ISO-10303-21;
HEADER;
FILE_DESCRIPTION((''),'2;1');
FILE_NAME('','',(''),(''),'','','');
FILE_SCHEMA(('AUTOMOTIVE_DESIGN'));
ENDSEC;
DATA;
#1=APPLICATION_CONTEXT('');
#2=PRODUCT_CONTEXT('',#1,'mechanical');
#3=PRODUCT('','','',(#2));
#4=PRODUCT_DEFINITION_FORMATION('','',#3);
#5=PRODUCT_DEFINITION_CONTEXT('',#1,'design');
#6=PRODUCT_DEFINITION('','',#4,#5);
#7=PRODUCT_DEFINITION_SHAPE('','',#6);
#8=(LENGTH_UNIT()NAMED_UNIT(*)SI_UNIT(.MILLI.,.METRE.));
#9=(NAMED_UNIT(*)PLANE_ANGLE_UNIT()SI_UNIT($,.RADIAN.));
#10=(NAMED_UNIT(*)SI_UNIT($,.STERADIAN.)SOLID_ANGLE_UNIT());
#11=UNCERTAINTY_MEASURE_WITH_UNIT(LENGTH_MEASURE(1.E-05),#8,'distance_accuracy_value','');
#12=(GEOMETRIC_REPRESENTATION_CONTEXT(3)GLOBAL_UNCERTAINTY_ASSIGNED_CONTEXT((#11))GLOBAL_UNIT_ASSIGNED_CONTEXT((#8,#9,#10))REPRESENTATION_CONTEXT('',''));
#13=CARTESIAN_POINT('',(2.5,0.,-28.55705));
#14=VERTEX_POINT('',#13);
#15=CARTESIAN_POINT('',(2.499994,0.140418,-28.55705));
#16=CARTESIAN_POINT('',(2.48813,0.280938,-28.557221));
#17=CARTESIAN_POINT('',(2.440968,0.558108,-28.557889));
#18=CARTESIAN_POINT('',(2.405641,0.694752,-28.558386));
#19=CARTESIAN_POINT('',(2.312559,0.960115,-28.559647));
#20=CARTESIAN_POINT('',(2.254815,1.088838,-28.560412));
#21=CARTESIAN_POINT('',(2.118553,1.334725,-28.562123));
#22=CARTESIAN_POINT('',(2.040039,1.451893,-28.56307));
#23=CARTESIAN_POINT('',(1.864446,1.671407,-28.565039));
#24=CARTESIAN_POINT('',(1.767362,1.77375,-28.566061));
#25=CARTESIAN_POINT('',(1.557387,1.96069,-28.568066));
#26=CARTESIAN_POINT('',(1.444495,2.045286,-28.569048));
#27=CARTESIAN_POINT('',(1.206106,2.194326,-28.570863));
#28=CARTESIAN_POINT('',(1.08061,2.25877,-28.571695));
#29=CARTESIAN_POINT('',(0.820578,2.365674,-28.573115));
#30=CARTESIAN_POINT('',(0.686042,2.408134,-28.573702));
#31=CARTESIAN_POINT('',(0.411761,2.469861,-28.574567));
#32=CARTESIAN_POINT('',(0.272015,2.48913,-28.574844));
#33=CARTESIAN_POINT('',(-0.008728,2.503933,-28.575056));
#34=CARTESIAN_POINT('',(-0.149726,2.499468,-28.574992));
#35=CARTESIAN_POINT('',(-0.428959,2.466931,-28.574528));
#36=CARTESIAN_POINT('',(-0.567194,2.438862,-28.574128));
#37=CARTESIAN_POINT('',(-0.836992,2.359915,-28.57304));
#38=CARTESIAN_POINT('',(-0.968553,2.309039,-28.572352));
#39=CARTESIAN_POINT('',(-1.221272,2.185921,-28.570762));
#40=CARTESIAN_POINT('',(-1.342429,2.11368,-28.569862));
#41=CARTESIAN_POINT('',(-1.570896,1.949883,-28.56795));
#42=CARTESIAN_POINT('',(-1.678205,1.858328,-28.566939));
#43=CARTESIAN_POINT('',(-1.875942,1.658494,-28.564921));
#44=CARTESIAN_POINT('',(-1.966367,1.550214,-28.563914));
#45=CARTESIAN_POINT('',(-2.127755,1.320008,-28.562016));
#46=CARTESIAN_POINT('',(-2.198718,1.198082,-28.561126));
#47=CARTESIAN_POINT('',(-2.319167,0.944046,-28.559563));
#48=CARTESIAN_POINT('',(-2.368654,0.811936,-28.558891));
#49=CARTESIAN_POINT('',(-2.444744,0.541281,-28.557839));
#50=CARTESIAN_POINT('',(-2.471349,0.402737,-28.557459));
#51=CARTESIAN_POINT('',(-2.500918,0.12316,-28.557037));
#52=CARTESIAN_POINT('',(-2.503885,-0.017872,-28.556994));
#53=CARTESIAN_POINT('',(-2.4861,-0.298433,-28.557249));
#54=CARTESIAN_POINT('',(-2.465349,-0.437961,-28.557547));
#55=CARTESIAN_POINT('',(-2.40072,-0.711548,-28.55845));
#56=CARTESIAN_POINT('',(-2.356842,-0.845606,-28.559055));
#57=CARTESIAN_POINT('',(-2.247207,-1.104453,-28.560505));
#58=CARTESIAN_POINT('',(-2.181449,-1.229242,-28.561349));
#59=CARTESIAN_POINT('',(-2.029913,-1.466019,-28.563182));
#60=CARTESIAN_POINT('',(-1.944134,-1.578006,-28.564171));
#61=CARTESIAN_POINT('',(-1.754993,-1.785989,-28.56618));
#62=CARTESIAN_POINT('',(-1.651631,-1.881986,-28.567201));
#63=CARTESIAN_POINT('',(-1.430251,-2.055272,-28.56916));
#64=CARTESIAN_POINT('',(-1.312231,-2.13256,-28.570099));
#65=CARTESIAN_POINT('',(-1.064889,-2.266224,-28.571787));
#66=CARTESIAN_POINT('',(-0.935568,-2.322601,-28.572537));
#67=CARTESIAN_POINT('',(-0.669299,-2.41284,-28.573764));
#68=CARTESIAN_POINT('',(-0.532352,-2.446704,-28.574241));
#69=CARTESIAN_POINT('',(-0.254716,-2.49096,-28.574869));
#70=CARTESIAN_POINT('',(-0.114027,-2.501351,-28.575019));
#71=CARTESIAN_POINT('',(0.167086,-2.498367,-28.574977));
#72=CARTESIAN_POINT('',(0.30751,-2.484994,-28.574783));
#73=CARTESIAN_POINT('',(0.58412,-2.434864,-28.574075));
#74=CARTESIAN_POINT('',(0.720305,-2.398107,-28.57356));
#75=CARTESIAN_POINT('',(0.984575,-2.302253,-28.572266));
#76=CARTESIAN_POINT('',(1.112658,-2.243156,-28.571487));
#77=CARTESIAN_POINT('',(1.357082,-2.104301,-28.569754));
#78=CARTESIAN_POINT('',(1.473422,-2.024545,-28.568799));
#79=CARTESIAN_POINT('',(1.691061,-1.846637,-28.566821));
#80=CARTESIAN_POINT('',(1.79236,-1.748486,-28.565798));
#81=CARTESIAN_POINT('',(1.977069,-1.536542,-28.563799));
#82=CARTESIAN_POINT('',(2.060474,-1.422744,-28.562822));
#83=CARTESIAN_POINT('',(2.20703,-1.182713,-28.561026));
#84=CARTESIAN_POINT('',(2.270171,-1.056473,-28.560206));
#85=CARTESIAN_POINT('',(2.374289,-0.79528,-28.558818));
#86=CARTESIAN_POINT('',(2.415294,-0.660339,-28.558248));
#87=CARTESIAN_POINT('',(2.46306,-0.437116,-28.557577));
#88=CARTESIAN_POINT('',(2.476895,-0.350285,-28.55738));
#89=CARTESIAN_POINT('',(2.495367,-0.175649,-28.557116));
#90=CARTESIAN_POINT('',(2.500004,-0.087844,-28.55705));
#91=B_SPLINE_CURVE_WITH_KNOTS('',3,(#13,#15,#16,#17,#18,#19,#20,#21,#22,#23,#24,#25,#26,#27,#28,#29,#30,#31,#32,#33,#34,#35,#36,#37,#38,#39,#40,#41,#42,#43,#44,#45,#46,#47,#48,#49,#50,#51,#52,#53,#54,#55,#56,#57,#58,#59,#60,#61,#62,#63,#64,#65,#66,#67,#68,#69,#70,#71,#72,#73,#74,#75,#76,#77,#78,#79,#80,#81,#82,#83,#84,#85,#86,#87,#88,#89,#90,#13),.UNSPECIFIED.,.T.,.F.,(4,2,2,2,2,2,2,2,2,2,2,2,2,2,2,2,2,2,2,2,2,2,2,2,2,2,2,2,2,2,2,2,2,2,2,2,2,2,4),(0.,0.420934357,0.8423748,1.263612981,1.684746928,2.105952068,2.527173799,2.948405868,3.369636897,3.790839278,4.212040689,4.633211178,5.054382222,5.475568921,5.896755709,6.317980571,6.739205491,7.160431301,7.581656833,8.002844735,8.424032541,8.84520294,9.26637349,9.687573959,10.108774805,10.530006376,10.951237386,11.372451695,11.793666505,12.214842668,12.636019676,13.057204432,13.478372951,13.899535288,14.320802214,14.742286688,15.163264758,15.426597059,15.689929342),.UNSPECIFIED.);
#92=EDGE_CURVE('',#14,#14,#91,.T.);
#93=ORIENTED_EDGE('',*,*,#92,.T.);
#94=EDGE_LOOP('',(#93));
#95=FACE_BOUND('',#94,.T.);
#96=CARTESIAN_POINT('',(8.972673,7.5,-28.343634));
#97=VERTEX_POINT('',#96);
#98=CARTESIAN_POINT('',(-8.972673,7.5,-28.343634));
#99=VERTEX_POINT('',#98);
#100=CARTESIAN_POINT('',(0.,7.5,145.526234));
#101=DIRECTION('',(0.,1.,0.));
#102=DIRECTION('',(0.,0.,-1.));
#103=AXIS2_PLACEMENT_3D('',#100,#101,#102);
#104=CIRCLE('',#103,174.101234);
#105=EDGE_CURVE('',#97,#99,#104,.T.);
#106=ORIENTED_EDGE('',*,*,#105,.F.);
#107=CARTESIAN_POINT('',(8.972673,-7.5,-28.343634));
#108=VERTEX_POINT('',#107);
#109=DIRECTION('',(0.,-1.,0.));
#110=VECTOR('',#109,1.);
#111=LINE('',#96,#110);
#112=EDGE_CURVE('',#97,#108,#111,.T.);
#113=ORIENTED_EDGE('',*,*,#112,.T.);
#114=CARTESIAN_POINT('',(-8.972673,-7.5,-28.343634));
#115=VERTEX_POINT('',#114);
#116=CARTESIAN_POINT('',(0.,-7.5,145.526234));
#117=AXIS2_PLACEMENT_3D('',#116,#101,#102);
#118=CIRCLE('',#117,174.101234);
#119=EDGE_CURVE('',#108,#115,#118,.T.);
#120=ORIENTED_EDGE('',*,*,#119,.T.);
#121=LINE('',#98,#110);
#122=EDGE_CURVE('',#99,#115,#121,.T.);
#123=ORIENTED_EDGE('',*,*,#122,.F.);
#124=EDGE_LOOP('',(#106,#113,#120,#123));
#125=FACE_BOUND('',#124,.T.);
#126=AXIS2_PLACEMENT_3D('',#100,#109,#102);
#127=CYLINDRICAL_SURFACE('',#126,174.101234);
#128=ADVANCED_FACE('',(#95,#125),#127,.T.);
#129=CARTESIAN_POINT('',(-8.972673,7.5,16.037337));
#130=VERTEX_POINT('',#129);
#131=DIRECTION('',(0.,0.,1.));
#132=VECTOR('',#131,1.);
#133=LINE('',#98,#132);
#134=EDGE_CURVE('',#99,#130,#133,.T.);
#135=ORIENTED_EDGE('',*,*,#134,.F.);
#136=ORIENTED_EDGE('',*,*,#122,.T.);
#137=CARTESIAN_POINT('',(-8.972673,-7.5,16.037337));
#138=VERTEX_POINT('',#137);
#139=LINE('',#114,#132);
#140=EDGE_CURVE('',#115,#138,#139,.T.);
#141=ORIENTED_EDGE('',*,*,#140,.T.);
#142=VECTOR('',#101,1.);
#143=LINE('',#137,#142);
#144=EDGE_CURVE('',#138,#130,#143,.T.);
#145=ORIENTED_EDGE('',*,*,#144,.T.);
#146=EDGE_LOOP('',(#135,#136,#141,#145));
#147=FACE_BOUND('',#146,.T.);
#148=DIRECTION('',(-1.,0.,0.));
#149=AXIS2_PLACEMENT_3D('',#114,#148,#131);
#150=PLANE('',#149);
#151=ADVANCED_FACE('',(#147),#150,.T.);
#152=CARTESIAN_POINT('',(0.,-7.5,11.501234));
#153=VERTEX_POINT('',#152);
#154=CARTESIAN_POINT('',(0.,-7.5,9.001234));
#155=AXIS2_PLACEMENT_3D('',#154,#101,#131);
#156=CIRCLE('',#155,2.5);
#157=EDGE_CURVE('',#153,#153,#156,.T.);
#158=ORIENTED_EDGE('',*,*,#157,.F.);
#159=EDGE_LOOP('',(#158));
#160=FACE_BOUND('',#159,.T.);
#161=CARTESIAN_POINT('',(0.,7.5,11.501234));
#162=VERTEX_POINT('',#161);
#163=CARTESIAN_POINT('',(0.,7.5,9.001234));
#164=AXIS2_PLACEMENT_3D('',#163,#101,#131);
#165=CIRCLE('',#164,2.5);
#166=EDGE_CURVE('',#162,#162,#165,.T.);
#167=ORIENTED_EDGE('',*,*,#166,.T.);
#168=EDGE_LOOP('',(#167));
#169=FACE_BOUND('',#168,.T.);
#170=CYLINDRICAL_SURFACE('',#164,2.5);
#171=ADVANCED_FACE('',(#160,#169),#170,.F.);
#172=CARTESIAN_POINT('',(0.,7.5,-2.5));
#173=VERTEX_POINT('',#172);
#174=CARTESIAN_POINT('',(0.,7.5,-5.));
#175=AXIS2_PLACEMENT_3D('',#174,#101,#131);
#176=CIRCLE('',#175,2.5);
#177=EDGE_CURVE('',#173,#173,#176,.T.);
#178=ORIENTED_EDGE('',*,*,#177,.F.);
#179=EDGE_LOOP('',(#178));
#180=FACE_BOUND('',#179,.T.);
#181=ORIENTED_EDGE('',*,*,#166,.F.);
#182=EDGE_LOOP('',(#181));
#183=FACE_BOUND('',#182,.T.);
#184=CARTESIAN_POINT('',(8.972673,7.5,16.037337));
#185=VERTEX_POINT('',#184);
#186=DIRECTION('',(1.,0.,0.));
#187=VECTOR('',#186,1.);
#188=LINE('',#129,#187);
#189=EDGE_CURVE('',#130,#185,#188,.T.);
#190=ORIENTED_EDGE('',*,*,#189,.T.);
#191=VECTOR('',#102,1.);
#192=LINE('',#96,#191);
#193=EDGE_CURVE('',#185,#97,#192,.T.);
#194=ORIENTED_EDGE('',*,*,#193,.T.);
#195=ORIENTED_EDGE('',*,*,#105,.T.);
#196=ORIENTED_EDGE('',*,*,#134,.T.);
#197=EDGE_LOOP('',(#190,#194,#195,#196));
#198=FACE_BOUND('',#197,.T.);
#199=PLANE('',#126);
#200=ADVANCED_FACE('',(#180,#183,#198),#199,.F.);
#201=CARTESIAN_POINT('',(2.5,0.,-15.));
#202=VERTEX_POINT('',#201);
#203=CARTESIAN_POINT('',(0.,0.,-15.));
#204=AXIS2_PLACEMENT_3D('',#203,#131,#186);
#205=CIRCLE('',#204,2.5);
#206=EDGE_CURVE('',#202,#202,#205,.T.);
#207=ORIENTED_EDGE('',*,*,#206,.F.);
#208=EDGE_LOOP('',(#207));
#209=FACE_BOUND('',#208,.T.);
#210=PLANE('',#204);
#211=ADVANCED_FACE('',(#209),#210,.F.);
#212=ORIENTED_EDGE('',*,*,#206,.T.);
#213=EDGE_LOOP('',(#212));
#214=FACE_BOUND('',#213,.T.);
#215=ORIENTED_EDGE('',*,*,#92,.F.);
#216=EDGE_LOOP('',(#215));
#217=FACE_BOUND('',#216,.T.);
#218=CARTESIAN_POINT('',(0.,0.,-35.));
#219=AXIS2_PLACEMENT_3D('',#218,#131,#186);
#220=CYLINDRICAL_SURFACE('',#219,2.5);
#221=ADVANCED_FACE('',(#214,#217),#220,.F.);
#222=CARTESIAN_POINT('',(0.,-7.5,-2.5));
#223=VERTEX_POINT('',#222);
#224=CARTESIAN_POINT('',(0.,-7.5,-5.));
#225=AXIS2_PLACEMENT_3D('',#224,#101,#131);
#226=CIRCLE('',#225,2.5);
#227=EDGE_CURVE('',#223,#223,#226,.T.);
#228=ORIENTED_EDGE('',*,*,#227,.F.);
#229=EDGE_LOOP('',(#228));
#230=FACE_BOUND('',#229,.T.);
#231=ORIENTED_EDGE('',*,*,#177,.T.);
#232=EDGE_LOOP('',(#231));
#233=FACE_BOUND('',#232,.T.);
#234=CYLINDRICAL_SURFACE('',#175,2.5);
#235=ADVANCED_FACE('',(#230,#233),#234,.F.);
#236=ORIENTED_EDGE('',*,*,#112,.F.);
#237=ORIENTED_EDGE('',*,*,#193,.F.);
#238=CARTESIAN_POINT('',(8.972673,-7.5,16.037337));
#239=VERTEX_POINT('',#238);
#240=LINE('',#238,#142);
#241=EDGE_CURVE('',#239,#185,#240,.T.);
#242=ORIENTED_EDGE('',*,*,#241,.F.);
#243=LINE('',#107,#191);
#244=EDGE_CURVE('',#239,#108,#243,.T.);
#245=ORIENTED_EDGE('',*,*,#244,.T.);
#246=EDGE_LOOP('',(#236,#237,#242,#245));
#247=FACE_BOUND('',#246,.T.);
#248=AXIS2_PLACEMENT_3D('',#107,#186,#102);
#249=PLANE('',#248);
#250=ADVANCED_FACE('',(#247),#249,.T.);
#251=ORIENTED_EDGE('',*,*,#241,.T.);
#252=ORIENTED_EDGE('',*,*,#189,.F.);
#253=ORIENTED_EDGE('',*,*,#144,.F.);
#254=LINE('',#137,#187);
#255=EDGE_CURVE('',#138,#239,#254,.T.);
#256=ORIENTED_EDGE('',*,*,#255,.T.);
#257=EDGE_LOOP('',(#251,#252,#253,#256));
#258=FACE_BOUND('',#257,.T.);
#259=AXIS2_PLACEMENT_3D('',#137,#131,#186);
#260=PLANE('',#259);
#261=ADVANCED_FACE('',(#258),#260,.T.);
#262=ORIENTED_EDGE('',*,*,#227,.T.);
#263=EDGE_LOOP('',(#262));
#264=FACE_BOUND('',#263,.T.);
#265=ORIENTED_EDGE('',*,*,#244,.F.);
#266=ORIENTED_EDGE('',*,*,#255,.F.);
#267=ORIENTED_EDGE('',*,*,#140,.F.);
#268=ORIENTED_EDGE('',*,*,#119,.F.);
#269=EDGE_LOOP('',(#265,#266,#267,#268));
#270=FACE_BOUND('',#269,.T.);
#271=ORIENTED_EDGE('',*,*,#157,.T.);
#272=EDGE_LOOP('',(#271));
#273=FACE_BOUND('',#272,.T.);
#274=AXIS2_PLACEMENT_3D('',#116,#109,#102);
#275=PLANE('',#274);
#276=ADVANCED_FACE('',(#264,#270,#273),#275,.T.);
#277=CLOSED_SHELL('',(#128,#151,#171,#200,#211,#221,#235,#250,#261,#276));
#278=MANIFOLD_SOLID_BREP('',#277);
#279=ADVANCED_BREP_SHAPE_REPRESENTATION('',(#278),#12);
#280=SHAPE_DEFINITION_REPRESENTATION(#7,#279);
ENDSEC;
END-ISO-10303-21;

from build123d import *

# Parameters (mm, degrees)
BOSS_EXTRUDE1_DEPTH   = 7.5
M6X1_0_TAPPED_HOLE1_D = 5
SKETCH6_W             = 17.945345232
SKETCH6_H             = 44.380970223
SKETCH6_R             = 2.5
BOSS_EXTRUDE2_DEPTH   = 15
CUT_EXTRUDE1_START    = -15
SKETCH8_R             = 2.5
CUT_EXTRUDE1_DEPTH    = 20


with BuildPart() as part:
    # Sketch1 → Boss-Extrude1 (new, symmetric)
    with BuildSketch(Plane(origin=(0, 0, 0), x_dir=(1, 0, 0), z_dir=(0, 1, 0))):
        with BuildLine():
            Line((-7.5, -0.193392624), (-8.972672616, 28.343633506))
            ThreePointArc((-8.972672616, 28.343633506), (0, 28.575), (8.972672616, 28.343633506))
            Line((8.972672616, 28.343633506), (7.5, -0.193392624))
            Line((7.5, -0.193392624), (7.026752085, -9.363854534))
            ThreePointArc((7.026752085, -9.363854534), (0, -16.037336717), (-7.026752085, -9.363854534))
            Line((-7.026752085, -9.363854534), (-7.5, -0.193392624))
        make_face()
    extrude(amount=BOSS_EXTRUDE1_DEPTH, both=True)

    # M6x1.0 Tapped Hole1 (through all)
    with Locations(Plane(origin=(0, 7.5, 0), x_dir=(1, 0, 0), z_dir=(0, 1, 0))):
        with Locations((0, -9.00123422), (0, 5)):
            Hole(M6X1_0_TAPPED_HOLE1_D / 2)

    # Sketch6 → Boss-Extrude2 (add, through all)
    with BuildSketch(Plane(origin=(0, 7.5, 0), x_dir=(1, 0, 0), z_dir=(0, 1, 0))):
        with Locations((0, 6.153148395)):
            Rectangle(SKETCH6_W, SKETCH6_H)
        with Locations(Location((0, -9.00123422, 0), (0, 0, 270))):
            Circle(SKETCH6_R, mode=Mode.SUBTRACT)
        with Locations(Location((0, 5, 0), (0, 0, 270))):
            Circle(SKETCH6_R, mode=Mode.SUBTRACT)
    extrude(amount=-BOSS_EXTRUDE2_DEPTH)

    # Sketch8 → Cut-Extrude1 (cut)
    with BuildSketch(Plane.XY.offset(CUT_EXTRUDE1_START)):
        Circle(SKETCH8_R)
    extrude(amount=-CUT_EXTRUDE1_DEPTH, mode=Mode.SUBTRACT)


solid = part.part
